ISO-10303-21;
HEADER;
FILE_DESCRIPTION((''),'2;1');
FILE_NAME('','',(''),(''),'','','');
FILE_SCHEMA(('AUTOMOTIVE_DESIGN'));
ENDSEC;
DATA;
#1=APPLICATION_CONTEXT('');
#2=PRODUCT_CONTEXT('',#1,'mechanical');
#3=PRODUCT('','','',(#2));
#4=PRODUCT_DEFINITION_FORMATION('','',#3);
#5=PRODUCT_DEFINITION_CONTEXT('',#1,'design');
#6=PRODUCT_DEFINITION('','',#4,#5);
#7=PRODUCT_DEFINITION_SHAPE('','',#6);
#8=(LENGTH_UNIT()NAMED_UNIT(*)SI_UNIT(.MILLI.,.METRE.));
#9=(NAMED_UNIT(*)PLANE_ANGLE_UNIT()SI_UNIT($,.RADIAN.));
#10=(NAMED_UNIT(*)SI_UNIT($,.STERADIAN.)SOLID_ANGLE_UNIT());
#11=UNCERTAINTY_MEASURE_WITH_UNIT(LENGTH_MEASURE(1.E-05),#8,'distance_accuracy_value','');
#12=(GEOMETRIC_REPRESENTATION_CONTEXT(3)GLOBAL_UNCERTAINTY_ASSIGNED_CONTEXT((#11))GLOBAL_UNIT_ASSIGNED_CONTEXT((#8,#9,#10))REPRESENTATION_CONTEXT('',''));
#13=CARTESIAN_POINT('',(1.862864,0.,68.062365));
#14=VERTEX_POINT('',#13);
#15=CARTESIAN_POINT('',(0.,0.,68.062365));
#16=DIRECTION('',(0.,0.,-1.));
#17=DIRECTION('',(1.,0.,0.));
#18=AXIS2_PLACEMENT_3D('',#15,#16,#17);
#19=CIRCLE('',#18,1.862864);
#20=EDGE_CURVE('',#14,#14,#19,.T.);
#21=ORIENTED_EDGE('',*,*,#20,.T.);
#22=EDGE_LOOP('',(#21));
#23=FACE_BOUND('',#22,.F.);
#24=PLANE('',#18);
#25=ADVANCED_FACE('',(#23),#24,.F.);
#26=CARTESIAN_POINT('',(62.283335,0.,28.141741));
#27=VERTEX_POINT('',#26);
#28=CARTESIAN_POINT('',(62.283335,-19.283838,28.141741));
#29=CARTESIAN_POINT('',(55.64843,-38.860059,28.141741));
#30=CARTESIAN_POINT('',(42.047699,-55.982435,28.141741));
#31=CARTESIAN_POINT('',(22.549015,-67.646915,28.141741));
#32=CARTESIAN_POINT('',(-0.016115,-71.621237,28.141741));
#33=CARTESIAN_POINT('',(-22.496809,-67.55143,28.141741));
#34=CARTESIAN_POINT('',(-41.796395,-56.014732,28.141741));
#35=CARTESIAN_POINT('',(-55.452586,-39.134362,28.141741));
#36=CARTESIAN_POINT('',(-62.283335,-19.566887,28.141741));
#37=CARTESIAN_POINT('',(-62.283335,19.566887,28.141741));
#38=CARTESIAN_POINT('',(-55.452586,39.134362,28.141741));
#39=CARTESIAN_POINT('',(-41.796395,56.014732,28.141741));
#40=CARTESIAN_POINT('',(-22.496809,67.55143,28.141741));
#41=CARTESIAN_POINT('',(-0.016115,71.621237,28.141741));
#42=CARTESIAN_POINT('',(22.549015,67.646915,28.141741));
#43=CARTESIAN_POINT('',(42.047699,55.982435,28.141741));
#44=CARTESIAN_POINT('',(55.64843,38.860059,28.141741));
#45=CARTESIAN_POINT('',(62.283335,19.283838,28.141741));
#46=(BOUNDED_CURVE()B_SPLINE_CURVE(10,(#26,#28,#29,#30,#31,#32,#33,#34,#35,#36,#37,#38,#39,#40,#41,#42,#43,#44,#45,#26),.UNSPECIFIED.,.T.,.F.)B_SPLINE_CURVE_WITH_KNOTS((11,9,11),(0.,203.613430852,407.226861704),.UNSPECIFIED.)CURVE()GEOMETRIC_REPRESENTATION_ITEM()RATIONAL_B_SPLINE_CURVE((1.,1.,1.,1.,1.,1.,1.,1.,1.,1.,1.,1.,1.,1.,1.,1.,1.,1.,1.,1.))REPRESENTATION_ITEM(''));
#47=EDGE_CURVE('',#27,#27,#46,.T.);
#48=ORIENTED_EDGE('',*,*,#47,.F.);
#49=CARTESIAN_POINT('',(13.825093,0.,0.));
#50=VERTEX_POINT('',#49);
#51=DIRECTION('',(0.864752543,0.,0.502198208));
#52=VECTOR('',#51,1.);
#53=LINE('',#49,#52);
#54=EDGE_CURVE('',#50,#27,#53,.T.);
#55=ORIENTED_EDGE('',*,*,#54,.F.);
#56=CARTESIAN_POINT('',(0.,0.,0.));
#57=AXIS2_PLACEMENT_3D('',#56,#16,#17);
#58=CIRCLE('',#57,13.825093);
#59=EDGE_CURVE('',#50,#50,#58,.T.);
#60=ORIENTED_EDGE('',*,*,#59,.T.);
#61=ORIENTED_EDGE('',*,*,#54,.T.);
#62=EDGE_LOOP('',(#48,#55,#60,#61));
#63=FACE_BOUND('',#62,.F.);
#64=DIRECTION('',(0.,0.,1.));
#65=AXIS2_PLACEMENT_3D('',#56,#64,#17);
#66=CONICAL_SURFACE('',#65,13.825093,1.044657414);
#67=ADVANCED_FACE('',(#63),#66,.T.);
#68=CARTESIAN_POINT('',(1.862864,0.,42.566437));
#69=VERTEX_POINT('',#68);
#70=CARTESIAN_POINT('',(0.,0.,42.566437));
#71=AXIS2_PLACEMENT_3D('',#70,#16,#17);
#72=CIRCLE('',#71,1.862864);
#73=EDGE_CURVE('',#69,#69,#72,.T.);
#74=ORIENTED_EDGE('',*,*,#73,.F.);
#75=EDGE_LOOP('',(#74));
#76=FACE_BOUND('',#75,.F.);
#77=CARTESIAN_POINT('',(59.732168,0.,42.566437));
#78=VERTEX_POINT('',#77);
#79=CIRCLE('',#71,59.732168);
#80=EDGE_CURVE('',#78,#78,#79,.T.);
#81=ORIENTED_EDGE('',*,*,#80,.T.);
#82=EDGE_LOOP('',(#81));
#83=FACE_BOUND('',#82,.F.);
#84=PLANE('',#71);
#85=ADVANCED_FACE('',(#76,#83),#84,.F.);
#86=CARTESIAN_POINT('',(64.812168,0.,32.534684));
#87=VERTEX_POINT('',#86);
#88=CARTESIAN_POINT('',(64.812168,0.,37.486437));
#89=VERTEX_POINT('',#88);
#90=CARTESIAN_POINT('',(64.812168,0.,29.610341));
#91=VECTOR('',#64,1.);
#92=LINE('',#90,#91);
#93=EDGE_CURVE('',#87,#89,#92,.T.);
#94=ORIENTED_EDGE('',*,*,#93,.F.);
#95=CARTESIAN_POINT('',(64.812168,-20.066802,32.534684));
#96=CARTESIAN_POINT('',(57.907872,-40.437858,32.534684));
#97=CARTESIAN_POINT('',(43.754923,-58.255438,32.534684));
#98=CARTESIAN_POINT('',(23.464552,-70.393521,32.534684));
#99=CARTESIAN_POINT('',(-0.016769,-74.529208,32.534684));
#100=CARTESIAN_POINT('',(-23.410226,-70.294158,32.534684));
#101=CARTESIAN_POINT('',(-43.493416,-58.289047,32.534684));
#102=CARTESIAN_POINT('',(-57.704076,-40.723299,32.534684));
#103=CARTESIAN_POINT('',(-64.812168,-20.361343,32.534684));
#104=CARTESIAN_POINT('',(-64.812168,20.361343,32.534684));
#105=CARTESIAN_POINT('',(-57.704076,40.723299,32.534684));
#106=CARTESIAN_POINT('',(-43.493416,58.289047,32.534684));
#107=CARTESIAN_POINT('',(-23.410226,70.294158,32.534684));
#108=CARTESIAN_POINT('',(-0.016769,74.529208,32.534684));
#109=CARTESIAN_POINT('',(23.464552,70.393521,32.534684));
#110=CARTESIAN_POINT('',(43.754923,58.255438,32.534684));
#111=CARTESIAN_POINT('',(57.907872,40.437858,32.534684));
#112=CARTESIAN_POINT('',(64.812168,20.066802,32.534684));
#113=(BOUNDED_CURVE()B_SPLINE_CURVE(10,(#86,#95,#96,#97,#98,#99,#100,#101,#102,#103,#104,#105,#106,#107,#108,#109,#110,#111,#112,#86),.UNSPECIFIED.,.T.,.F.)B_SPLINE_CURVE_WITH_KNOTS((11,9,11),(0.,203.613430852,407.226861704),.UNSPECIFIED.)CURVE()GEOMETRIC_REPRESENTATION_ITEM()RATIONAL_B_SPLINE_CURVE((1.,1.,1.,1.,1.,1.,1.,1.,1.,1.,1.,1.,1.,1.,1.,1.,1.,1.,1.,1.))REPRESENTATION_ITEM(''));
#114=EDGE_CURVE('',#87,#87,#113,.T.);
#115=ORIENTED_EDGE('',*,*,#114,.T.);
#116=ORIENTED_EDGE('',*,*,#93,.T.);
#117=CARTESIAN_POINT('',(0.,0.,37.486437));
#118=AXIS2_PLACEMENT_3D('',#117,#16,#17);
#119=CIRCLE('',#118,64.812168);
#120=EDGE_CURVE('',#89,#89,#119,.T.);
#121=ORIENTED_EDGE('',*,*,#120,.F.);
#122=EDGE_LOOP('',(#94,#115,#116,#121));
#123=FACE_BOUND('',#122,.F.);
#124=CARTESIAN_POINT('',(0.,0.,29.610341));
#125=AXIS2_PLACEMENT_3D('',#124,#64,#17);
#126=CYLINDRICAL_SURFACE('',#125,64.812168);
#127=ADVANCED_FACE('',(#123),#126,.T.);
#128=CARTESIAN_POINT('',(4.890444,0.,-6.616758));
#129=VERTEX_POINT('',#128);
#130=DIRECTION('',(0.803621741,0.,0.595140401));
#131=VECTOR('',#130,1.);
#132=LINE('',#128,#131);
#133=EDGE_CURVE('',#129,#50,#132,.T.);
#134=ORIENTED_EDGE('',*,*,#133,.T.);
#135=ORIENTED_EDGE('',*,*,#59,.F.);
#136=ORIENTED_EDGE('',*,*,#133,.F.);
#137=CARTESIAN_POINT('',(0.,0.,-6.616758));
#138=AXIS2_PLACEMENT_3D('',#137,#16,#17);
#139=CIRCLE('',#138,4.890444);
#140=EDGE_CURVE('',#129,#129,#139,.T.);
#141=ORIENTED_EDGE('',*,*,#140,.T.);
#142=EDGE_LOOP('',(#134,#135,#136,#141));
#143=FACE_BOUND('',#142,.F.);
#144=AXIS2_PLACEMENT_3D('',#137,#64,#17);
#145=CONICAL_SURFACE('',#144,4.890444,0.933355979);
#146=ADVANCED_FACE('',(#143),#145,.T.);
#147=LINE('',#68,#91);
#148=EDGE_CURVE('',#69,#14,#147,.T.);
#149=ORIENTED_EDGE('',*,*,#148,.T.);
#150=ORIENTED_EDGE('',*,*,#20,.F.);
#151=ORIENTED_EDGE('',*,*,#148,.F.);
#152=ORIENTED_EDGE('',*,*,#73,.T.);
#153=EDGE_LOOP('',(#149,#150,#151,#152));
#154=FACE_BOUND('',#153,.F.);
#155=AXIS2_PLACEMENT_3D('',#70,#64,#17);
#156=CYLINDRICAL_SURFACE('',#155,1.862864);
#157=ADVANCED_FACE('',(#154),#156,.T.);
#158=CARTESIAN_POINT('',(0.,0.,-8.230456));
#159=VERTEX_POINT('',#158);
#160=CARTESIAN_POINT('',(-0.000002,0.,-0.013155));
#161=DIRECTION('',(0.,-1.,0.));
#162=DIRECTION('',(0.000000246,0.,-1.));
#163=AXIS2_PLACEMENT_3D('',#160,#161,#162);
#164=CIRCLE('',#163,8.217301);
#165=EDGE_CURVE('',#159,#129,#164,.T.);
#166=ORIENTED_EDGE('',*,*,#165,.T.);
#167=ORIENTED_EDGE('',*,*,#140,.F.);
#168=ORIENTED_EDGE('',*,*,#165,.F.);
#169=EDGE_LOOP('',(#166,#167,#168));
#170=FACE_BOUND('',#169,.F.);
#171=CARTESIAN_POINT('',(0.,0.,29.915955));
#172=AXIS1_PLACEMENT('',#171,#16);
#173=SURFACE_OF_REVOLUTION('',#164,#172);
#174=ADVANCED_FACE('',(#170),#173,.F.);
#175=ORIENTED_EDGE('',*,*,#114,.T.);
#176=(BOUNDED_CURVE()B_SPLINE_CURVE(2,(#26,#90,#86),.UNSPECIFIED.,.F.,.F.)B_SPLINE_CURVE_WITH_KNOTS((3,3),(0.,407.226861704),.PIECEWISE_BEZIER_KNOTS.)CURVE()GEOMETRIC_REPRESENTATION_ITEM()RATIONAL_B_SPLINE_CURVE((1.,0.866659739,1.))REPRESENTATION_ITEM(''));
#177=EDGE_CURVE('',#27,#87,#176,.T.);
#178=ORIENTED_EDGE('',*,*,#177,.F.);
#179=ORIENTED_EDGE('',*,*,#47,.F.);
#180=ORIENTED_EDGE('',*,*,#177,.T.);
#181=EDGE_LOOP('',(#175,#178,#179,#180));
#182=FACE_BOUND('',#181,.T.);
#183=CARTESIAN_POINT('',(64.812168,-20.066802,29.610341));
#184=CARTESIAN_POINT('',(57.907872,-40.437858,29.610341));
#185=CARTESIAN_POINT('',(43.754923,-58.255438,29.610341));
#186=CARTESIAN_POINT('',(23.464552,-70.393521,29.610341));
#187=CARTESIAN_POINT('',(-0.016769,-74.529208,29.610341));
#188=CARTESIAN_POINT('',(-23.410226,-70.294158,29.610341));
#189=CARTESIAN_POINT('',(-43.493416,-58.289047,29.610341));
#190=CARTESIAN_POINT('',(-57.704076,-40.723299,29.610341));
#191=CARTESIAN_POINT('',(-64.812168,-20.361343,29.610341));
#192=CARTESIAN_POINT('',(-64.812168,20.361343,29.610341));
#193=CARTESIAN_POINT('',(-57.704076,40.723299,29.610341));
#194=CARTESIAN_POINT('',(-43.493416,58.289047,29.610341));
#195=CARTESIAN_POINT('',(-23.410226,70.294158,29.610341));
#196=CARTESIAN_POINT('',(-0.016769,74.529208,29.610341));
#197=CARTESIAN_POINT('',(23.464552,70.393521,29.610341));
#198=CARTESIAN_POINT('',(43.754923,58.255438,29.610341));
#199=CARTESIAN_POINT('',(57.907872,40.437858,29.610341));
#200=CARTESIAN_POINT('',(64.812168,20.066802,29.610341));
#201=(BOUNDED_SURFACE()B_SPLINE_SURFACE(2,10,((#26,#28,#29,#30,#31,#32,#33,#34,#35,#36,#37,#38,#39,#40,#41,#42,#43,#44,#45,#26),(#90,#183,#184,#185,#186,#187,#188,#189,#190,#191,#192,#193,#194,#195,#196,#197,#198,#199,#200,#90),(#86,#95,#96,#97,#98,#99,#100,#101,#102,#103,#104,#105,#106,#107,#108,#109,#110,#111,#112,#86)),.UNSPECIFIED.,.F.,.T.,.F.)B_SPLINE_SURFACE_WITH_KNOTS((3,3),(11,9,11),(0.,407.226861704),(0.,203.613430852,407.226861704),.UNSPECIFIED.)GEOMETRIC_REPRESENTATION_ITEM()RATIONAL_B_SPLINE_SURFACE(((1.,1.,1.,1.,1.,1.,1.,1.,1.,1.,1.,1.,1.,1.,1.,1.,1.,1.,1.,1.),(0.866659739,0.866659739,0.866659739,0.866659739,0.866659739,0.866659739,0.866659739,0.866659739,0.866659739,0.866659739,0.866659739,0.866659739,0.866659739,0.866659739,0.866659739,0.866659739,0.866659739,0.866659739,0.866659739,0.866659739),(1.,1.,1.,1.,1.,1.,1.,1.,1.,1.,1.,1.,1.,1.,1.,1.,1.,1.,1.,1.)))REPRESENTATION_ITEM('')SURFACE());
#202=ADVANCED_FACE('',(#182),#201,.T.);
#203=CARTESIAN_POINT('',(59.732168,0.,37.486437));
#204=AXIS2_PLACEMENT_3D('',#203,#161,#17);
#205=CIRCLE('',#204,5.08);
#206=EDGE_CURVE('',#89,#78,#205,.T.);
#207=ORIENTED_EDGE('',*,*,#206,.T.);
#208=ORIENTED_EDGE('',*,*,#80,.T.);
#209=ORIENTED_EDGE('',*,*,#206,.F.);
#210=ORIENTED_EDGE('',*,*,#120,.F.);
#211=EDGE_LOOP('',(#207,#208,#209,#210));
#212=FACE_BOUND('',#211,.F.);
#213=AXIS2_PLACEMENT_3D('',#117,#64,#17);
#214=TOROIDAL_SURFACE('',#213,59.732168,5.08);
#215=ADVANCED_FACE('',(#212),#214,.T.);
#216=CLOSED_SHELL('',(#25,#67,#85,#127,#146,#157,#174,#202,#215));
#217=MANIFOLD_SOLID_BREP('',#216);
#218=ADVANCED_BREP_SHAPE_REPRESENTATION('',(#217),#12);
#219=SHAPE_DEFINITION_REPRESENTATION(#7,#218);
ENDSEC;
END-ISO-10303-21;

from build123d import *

# Parameters (mm, degrees)
F2_R = 5.08


with BuildPart() as f1:
    # F0 (on Front) → F1 (revolve)
    with BuildSketch(Plane.XZ):
        with BuildLine():
            Line((4.890444, -6.616758), (13.825093, 0))
            Line((13.825093, 0), (64.812168, 29.610341))
            Line((64.812168, 29.610341), (64.812168, 42.566437))
            Line((64.812168, 42.566437), (1.862864, 42.566437))
            Line((1.862864, 42.566437), (1.862864, 68.062365))
            Line((1.862864, 68.062365), (0, 68.062365))
            Line((0, 68.062365), (0, -8.230456))
            ThreePointArc((0, -8.230456), (2.574901, -7.81661), (4.890444, -6.616758))
        make_face()
    revolve(axis=Axis((0, 0, 29.915955), (0, 0, -1)))

    # F2
    f2_edges = [f1.edges().sort_by_distance(p)[0] for p in [
        (-64.812168, 0, 42.566437),
        (-64.812168, 0, 29.610341),
    ]]
    fillet(f2_edges, radius=F2_R)


solid = f1.part
